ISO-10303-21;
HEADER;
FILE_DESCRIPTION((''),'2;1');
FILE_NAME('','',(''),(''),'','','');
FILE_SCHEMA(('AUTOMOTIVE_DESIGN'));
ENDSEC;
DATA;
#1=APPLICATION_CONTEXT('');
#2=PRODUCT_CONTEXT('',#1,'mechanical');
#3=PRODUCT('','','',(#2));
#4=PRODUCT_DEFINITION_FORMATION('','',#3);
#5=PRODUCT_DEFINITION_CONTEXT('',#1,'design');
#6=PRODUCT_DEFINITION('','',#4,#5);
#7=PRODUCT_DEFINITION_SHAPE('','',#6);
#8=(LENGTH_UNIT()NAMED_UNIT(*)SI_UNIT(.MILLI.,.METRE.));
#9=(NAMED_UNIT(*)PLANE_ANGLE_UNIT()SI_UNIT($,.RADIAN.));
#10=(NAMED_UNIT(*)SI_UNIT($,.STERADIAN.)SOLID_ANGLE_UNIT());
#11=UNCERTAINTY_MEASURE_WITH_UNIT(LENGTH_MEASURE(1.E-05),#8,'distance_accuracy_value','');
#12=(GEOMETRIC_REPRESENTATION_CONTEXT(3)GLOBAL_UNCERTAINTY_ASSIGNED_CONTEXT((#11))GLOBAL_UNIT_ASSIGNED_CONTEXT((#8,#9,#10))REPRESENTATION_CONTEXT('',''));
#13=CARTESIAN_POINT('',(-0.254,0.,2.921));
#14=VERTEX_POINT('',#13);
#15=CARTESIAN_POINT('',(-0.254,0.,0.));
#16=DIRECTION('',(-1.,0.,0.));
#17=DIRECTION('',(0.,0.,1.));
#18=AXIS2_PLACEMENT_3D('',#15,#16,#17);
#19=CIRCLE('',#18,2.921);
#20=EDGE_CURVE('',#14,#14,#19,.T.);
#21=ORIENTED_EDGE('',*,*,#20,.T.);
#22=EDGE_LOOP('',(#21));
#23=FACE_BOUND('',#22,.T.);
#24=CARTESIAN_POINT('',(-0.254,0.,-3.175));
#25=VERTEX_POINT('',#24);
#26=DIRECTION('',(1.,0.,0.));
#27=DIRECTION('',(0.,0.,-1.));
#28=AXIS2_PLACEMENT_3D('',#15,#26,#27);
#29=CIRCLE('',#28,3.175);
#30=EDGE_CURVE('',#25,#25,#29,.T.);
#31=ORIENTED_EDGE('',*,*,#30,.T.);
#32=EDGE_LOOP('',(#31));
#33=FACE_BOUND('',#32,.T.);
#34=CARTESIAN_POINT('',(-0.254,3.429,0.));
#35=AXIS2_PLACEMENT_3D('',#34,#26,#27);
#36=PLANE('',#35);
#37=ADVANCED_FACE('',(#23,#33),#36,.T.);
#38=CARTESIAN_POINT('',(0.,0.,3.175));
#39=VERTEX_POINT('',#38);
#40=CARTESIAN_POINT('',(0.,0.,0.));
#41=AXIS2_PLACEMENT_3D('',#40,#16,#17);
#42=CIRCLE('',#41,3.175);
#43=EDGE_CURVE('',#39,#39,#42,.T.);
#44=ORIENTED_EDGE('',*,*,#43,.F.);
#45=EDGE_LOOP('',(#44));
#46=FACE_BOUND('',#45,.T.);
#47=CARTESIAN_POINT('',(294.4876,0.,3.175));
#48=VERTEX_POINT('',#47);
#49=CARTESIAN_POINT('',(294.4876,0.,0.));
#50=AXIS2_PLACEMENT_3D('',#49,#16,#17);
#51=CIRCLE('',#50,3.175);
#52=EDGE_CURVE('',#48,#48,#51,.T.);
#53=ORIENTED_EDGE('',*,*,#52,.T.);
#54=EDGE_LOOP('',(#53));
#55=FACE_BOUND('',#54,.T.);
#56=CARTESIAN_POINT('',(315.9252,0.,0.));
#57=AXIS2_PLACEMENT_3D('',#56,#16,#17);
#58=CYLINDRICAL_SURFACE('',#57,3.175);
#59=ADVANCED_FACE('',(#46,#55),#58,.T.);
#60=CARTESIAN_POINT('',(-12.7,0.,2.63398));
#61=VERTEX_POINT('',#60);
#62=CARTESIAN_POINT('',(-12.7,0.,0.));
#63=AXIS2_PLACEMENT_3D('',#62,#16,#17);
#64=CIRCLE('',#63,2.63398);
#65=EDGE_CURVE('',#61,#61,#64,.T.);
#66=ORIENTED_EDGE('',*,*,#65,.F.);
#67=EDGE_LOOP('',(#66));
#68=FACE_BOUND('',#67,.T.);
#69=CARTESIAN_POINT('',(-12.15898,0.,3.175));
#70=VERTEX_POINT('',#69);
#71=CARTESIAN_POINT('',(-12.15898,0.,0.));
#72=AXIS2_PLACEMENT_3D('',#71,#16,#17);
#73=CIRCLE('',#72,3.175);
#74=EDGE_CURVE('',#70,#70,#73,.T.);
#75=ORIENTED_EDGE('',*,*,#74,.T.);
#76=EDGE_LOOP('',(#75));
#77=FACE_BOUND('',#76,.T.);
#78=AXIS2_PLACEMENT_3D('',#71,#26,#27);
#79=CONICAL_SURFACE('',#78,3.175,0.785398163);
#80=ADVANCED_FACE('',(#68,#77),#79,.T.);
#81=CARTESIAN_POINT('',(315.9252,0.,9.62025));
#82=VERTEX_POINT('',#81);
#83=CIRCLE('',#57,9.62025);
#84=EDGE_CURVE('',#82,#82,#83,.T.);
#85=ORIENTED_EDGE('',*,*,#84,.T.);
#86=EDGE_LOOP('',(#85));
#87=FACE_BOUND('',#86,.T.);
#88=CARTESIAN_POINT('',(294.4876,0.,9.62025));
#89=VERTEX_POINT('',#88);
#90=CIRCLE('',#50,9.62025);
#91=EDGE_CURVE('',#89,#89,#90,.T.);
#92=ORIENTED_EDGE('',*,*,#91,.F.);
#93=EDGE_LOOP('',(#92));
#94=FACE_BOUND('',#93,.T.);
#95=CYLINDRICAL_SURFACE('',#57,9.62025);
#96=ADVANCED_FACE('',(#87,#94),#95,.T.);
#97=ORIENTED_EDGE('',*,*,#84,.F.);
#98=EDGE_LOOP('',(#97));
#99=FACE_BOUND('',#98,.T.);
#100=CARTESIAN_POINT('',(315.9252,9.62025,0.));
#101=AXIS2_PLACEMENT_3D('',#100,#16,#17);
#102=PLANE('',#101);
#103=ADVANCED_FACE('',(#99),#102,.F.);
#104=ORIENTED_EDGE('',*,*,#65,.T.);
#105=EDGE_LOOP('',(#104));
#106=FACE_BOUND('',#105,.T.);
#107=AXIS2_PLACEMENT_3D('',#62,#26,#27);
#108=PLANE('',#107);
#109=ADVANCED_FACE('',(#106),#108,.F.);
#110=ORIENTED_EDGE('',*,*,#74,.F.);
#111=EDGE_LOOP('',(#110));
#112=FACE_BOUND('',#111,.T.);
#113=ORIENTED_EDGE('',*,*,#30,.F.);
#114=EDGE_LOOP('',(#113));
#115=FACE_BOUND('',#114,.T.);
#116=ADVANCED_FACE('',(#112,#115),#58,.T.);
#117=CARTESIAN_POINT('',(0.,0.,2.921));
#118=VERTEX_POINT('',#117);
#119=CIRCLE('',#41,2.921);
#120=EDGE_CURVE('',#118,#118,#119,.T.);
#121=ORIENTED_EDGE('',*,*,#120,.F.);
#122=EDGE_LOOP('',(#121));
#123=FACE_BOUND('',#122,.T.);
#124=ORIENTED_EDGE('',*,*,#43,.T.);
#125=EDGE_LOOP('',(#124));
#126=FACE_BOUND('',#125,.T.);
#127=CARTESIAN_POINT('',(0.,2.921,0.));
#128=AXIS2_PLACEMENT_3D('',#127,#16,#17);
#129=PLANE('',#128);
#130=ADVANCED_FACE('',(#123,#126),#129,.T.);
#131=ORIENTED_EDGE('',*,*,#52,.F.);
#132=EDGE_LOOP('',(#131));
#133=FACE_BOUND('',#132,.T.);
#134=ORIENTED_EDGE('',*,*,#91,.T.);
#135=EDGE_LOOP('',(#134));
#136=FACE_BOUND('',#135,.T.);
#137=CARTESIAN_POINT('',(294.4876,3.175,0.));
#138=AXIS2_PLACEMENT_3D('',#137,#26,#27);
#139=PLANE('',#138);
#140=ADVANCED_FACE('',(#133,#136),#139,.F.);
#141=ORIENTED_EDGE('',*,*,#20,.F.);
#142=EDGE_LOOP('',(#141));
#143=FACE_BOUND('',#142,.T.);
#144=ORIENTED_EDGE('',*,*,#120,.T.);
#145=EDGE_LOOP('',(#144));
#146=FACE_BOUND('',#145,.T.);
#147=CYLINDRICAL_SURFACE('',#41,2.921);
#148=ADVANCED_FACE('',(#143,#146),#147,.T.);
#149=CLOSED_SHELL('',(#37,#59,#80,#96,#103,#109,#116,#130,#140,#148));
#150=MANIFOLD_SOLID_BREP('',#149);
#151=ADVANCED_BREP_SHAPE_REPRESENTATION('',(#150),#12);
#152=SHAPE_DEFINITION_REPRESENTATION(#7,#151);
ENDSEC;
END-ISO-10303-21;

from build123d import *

# Parameters (mm, degrees)
SKETCH3_W = 0.254
SKETCH3_H = 0.508


with BuildPart() as part:
    # Sketch1 → Revolve1 (revolve)
    with BuildSketch(Plane.XY):
        Polygon((0, 0), (0, 3.175), (294.4876, 3.175), (294.4876, 9.62025), (315.9252, 9.62025), (315.9252, 0), align=None)
    revolve(axis=Axis((315.9252, 0, 0), (-1, 0, 0)))

    # Sketch2 → Revolve2 (revolve)
    with BuildSketch(Plane.XY):
        Polygon((-12.7, 0), (-12.7, 2.63398), (-12.15898, 3.175), (0, 3.175), (0, 0), align=None)
    revolve(axis=Axis((0, 0, 0), (-1, 0, 0)))

    # Sketch3 → Cut-Revolve1 (revolve, cut)
    with BuildSketch(Plane.XY):
        with Locations((-0.127, 3.175)):
            Rectangle(SKETCH3_W, SKETCH3_H)
    revolve(axis=Axis((0, 0, 0), (-1, 0, 0)), mode=Mode.SUBTRACT)


solid = part.part
